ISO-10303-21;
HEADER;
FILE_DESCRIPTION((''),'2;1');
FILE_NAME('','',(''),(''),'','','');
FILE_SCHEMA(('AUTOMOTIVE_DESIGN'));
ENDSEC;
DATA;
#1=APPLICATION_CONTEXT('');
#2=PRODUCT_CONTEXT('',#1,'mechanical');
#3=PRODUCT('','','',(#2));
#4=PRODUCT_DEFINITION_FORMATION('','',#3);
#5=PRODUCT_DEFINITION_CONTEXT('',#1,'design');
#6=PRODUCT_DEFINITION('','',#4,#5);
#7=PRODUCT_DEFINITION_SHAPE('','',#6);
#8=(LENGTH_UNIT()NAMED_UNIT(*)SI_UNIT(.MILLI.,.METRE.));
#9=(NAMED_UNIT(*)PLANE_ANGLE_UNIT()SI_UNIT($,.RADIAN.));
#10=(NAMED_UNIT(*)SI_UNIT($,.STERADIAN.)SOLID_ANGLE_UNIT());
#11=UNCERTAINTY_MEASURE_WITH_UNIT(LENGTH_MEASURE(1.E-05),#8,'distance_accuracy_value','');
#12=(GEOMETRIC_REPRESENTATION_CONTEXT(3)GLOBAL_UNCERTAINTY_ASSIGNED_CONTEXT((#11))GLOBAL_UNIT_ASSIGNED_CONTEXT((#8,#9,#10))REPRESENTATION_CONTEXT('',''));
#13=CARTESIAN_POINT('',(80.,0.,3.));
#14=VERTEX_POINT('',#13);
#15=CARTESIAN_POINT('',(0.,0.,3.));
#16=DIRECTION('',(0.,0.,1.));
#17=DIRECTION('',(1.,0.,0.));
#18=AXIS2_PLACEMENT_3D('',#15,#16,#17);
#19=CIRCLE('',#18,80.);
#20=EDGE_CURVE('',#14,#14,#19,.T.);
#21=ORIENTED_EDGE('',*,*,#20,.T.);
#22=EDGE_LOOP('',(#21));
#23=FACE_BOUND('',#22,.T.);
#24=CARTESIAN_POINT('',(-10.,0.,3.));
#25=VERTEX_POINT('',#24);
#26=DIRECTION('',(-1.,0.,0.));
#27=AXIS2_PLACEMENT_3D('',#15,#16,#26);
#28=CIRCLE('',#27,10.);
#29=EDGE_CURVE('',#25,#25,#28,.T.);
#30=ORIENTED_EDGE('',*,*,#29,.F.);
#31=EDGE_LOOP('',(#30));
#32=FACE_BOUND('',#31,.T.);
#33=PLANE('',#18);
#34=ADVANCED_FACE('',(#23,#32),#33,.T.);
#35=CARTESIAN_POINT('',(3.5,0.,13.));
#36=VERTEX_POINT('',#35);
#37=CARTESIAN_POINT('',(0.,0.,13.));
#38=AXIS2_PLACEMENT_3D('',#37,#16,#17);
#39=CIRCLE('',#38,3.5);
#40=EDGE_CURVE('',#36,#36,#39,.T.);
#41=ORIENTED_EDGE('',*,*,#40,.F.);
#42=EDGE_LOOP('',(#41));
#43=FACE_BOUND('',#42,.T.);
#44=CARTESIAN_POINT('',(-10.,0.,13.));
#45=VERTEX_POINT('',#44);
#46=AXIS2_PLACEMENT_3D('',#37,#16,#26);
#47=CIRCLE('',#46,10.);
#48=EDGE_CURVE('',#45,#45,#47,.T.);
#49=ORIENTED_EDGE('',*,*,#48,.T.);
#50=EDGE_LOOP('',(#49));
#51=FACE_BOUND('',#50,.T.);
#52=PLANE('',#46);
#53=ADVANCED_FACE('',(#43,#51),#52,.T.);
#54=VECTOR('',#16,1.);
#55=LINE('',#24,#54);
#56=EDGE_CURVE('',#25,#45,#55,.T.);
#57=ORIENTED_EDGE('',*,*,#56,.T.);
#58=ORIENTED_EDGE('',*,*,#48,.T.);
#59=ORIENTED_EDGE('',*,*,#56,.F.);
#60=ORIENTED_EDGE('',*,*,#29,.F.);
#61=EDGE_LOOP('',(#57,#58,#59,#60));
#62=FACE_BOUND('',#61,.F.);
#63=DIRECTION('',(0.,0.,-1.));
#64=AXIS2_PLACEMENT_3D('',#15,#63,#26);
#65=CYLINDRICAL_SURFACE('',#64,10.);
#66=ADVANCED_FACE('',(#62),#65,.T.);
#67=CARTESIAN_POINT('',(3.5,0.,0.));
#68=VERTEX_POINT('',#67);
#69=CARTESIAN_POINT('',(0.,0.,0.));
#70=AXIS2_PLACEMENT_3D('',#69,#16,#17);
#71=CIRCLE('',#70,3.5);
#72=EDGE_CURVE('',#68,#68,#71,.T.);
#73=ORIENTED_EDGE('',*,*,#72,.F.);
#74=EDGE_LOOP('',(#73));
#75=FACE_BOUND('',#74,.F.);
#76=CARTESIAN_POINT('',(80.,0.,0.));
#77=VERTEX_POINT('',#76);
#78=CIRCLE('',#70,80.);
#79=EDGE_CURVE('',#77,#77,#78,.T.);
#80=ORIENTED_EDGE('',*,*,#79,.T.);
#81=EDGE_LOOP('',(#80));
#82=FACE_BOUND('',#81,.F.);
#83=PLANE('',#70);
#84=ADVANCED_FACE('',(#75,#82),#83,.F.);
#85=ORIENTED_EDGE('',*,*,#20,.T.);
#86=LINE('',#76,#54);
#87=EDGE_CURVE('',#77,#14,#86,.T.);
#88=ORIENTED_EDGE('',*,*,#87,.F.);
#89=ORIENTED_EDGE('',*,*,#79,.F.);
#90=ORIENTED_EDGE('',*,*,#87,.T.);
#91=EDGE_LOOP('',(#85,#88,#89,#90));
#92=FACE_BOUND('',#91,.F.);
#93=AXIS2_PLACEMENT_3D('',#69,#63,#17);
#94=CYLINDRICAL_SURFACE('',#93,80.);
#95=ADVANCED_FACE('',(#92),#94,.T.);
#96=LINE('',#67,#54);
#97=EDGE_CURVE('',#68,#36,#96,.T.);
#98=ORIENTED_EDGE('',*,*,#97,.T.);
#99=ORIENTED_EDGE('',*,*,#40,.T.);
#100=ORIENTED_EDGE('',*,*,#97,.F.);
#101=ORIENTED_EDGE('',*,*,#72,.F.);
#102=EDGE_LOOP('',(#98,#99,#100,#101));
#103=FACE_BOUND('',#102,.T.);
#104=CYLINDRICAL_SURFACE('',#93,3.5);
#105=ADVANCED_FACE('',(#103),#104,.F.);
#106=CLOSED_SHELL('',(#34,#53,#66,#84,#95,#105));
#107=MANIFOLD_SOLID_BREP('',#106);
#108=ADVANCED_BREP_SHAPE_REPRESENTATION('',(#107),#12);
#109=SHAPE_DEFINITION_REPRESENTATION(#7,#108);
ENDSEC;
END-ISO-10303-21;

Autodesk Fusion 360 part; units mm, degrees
sketch "スケッチ1" plane through (0, 0, 0) normal (0, 0, 1) x (1, 0, 0)
  circle A0 centre (0, 0) radius 80
  circle A1 centre (0, 0) radius 3.5
  dimension "d1" = 160
  dimension "d7" = 7
extrude "押し出し1" add sketch "スケッチ1" along normal blind 3 contours A0 | A1
sketch "スケッチ2" plane through (0, 0, 3) normal (0, 0, 1) x (-1, 0, 0)
  circle A0 centre (0, 0) radius 80
  circle A1 centre (0, 0) radius 10
  dimension "d4" = 20
extrude "押し出し2" add sketch "スケッチ2" along normal blind 10 contours A1
extrude "押し出し3" cut sketch "スケッチ1" along normal blind 13 contours A1
